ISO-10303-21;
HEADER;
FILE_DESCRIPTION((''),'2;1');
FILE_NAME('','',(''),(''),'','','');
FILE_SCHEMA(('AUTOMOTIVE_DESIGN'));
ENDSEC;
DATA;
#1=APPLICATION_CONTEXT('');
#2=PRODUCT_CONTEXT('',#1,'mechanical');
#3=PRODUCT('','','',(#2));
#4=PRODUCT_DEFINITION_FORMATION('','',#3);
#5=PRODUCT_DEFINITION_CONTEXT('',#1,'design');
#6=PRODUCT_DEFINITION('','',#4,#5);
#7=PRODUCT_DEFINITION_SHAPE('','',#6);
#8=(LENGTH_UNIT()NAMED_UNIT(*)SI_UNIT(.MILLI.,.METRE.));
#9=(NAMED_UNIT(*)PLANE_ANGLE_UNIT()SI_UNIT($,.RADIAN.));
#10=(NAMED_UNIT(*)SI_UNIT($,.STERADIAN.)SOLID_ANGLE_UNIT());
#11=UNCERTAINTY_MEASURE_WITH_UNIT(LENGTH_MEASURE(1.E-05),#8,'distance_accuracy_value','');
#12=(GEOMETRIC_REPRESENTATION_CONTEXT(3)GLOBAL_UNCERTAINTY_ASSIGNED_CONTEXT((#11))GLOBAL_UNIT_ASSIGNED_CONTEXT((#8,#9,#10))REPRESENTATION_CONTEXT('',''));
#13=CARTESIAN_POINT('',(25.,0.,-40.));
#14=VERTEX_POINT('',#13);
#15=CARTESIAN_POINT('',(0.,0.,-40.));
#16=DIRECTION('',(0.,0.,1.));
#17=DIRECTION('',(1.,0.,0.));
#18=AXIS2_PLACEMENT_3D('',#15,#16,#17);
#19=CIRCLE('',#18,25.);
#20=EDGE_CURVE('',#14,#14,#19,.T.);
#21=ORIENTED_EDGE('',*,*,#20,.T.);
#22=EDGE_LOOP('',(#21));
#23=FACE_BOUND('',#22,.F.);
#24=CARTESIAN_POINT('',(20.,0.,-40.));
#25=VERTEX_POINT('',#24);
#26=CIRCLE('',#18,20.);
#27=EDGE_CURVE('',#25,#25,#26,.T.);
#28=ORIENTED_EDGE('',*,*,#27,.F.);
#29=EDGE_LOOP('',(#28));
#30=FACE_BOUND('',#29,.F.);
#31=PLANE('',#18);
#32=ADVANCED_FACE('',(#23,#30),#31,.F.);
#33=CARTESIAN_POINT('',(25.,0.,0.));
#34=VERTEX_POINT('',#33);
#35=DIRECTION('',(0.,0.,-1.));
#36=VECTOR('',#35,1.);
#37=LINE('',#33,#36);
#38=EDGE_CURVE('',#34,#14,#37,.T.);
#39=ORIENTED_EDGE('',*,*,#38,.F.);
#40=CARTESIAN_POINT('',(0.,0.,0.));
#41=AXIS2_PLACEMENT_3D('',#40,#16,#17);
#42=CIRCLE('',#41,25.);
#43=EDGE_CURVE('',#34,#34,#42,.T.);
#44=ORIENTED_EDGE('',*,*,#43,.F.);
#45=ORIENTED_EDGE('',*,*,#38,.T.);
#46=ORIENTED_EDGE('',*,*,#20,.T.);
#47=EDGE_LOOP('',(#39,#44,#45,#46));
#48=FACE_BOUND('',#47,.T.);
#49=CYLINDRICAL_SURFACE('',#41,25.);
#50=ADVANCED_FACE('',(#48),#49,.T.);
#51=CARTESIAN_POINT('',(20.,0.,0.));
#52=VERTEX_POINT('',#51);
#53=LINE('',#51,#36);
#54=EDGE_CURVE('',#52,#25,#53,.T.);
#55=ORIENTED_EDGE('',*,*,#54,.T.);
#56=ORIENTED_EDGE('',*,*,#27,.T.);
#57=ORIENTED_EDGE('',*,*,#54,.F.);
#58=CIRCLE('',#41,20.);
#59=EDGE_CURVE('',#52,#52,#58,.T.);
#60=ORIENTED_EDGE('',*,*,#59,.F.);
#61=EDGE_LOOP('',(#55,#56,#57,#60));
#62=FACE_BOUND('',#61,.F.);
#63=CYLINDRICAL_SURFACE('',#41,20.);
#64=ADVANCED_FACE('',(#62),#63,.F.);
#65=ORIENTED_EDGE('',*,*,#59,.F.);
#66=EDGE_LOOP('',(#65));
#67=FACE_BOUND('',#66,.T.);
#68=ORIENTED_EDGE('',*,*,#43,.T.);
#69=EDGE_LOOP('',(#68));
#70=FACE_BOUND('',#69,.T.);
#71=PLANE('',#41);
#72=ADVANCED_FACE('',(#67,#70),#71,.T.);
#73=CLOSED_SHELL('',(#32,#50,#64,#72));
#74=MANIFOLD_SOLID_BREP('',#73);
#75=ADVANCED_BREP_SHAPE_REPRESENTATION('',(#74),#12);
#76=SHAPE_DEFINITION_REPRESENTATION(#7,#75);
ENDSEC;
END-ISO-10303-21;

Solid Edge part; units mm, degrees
sketch "Sketch1" plane through (0, 0, 0) normal (0, 0, 1) x (1, 0, 0)
  circle A0 centre (0, 0) radius 25
  circle A1 centre (0, 0) radius 20
extrude "ExtrudedProtrusion_1" add sketch "Sketch1" against normal blind 40
